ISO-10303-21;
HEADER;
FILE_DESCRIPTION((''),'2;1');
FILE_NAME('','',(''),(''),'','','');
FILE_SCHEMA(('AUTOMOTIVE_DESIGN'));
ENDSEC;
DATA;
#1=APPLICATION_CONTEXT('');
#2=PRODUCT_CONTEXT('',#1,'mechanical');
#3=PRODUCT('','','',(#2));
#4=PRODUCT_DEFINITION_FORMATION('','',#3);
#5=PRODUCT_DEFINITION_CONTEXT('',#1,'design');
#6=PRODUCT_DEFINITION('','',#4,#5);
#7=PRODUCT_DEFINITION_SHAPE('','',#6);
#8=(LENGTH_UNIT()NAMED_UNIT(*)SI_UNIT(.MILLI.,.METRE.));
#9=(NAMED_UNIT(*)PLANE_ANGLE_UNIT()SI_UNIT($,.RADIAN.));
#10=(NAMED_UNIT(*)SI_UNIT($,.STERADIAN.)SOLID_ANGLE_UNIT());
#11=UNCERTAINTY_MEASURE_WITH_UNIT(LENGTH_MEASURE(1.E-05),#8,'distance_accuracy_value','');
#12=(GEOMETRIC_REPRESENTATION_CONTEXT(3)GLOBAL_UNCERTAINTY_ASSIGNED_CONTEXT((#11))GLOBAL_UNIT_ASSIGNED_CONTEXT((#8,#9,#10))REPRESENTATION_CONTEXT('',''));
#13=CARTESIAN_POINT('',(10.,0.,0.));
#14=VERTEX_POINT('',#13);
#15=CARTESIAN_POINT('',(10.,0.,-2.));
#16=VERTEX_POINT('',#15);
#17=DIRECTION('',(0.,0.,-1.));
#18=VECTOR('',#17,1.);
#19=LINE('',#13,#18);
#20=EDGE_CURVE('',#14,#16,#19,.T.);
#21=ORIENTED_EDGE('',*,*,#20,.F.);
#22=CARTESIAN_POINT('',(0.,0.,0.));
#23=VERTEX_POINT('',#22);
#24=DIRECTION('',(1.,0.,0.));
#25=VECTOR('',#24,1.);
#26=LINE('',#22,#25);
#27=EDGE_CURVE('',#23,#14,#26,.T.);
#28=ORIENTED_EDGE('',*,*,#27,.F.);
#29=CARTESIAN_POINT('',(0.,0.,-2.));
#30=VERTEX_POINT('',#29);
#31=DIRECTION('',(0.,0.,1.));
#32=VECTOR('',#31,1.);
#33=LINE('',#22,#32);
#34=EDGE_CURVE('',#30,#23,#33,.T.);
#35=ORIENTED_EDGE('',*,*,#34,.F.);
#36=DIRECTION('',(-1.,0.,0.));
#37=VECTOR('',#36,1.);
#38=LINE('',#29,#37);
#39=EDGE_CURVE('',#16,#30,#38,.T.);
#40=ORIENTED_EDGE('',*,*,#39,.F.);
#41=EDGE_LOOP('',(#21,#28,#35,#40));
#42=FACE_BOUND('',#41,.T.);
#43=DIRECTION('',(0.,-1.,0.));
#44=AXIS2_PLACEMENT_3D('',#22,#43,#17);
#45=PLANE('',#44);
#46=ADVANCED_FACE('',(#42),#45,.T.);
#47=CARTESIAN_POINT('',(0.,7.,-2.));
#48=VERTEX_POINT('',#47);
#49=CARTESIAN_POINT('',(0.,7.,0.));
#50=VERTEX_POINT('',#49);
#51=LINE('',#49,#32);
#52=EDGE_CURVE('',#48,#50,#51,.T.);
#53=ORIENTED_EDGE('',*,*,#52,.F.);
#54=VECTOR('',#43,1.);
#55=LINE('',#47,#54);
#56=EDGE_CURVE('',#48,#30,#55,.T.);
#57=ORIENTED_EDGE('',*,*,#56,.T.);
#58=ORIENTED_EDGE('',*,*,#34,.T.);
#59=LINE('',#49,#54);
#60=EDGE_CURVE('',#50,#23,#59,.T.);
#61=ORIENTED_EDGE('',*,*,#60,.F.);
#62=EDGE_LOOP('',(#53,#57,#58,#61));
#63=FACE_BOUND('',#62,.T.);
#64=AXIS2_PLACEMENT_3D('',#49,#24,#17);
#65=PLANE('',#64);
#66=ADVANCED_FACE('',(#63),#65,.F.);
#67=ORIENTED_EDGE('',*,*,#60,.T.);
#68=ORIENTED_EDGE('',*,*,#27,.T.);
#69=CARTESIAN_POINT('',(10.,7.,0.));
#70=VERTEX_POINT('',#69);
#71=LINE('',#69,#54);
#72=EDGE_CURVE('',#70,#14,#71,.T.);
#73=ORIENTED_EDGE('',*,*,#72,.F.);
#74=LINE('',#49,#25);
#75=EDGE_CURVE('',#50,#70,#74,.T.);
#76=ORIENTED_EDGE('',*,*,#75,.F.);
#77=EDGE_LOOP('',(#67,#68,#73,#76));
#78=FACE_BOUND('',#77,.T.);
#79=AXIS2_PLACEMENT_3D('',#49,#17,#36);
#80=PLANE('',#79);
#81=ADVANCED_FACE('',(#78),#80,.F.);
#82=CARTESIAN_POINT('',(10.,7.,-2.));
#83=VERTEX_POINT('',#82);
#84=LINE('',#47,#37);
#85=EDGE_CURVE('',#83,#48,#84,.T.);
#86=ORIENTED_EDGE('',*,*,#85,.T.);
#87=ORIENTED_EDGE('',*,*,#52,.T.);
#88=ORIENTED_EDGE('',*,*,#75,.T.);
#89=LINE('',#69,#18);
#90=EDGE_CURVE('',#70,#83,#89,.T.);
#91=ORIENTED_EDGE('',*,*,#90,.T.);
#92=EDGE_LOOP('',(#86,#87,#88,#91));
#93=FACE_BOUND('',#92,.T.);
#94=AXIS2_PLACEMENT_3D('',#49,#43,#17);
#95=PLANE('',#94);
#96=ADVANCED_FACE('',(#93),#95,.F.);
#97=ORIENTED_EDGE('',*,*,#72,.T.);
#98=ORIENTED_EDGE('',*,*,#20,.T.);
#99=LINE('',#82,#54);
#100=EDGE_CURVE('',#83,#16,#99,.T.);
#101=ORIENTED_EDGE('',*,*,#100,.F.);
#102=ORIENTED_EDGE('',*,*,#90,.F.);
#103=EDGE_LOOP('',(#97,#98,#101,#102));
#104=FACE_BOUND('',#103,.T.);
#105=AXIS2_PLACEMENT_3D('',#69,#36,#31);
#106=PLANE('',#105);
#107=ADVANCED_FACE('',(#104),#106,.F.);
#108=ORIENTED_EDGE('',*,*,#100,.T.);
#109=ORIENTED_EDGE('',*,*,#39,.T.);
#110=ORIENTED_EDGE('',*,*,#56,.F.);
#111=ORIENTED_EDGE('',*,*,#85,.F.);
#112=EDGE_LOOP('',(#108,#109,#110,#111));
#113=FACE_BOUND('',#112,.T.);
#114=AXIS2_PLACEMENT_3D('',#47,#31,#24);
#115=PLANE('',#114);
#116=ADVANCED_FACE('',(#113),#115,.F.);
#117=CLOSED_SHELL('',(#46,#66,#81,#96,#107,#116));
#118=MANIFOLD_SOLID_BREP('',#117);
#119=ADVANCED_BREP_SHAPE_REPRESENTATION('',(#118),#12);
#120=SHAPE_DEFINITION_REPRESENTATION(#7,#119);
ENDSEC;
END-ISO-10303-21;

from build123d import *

# Parameters (mm, degrees)
SKETCH1_W           = 10
SKETCH1_H           = 2
BOSS_EXTRUDE1_DEPTH = 7


with BuildPart() as part:
    # Sketch1 → Boss-Extrude1 (new body)
    with BuildSketch(Plane(origin=(0, 0, 0), x_dir=(1, 0, 0), z_dir=(0, 1, 0))):
        with Locations((5, 1)):
            Rectangle(SKETCH1_W, SKETCH1_H)
    extrude(amount=BOSS_EXTRUDE1_DEPTH)


solid = part.part
